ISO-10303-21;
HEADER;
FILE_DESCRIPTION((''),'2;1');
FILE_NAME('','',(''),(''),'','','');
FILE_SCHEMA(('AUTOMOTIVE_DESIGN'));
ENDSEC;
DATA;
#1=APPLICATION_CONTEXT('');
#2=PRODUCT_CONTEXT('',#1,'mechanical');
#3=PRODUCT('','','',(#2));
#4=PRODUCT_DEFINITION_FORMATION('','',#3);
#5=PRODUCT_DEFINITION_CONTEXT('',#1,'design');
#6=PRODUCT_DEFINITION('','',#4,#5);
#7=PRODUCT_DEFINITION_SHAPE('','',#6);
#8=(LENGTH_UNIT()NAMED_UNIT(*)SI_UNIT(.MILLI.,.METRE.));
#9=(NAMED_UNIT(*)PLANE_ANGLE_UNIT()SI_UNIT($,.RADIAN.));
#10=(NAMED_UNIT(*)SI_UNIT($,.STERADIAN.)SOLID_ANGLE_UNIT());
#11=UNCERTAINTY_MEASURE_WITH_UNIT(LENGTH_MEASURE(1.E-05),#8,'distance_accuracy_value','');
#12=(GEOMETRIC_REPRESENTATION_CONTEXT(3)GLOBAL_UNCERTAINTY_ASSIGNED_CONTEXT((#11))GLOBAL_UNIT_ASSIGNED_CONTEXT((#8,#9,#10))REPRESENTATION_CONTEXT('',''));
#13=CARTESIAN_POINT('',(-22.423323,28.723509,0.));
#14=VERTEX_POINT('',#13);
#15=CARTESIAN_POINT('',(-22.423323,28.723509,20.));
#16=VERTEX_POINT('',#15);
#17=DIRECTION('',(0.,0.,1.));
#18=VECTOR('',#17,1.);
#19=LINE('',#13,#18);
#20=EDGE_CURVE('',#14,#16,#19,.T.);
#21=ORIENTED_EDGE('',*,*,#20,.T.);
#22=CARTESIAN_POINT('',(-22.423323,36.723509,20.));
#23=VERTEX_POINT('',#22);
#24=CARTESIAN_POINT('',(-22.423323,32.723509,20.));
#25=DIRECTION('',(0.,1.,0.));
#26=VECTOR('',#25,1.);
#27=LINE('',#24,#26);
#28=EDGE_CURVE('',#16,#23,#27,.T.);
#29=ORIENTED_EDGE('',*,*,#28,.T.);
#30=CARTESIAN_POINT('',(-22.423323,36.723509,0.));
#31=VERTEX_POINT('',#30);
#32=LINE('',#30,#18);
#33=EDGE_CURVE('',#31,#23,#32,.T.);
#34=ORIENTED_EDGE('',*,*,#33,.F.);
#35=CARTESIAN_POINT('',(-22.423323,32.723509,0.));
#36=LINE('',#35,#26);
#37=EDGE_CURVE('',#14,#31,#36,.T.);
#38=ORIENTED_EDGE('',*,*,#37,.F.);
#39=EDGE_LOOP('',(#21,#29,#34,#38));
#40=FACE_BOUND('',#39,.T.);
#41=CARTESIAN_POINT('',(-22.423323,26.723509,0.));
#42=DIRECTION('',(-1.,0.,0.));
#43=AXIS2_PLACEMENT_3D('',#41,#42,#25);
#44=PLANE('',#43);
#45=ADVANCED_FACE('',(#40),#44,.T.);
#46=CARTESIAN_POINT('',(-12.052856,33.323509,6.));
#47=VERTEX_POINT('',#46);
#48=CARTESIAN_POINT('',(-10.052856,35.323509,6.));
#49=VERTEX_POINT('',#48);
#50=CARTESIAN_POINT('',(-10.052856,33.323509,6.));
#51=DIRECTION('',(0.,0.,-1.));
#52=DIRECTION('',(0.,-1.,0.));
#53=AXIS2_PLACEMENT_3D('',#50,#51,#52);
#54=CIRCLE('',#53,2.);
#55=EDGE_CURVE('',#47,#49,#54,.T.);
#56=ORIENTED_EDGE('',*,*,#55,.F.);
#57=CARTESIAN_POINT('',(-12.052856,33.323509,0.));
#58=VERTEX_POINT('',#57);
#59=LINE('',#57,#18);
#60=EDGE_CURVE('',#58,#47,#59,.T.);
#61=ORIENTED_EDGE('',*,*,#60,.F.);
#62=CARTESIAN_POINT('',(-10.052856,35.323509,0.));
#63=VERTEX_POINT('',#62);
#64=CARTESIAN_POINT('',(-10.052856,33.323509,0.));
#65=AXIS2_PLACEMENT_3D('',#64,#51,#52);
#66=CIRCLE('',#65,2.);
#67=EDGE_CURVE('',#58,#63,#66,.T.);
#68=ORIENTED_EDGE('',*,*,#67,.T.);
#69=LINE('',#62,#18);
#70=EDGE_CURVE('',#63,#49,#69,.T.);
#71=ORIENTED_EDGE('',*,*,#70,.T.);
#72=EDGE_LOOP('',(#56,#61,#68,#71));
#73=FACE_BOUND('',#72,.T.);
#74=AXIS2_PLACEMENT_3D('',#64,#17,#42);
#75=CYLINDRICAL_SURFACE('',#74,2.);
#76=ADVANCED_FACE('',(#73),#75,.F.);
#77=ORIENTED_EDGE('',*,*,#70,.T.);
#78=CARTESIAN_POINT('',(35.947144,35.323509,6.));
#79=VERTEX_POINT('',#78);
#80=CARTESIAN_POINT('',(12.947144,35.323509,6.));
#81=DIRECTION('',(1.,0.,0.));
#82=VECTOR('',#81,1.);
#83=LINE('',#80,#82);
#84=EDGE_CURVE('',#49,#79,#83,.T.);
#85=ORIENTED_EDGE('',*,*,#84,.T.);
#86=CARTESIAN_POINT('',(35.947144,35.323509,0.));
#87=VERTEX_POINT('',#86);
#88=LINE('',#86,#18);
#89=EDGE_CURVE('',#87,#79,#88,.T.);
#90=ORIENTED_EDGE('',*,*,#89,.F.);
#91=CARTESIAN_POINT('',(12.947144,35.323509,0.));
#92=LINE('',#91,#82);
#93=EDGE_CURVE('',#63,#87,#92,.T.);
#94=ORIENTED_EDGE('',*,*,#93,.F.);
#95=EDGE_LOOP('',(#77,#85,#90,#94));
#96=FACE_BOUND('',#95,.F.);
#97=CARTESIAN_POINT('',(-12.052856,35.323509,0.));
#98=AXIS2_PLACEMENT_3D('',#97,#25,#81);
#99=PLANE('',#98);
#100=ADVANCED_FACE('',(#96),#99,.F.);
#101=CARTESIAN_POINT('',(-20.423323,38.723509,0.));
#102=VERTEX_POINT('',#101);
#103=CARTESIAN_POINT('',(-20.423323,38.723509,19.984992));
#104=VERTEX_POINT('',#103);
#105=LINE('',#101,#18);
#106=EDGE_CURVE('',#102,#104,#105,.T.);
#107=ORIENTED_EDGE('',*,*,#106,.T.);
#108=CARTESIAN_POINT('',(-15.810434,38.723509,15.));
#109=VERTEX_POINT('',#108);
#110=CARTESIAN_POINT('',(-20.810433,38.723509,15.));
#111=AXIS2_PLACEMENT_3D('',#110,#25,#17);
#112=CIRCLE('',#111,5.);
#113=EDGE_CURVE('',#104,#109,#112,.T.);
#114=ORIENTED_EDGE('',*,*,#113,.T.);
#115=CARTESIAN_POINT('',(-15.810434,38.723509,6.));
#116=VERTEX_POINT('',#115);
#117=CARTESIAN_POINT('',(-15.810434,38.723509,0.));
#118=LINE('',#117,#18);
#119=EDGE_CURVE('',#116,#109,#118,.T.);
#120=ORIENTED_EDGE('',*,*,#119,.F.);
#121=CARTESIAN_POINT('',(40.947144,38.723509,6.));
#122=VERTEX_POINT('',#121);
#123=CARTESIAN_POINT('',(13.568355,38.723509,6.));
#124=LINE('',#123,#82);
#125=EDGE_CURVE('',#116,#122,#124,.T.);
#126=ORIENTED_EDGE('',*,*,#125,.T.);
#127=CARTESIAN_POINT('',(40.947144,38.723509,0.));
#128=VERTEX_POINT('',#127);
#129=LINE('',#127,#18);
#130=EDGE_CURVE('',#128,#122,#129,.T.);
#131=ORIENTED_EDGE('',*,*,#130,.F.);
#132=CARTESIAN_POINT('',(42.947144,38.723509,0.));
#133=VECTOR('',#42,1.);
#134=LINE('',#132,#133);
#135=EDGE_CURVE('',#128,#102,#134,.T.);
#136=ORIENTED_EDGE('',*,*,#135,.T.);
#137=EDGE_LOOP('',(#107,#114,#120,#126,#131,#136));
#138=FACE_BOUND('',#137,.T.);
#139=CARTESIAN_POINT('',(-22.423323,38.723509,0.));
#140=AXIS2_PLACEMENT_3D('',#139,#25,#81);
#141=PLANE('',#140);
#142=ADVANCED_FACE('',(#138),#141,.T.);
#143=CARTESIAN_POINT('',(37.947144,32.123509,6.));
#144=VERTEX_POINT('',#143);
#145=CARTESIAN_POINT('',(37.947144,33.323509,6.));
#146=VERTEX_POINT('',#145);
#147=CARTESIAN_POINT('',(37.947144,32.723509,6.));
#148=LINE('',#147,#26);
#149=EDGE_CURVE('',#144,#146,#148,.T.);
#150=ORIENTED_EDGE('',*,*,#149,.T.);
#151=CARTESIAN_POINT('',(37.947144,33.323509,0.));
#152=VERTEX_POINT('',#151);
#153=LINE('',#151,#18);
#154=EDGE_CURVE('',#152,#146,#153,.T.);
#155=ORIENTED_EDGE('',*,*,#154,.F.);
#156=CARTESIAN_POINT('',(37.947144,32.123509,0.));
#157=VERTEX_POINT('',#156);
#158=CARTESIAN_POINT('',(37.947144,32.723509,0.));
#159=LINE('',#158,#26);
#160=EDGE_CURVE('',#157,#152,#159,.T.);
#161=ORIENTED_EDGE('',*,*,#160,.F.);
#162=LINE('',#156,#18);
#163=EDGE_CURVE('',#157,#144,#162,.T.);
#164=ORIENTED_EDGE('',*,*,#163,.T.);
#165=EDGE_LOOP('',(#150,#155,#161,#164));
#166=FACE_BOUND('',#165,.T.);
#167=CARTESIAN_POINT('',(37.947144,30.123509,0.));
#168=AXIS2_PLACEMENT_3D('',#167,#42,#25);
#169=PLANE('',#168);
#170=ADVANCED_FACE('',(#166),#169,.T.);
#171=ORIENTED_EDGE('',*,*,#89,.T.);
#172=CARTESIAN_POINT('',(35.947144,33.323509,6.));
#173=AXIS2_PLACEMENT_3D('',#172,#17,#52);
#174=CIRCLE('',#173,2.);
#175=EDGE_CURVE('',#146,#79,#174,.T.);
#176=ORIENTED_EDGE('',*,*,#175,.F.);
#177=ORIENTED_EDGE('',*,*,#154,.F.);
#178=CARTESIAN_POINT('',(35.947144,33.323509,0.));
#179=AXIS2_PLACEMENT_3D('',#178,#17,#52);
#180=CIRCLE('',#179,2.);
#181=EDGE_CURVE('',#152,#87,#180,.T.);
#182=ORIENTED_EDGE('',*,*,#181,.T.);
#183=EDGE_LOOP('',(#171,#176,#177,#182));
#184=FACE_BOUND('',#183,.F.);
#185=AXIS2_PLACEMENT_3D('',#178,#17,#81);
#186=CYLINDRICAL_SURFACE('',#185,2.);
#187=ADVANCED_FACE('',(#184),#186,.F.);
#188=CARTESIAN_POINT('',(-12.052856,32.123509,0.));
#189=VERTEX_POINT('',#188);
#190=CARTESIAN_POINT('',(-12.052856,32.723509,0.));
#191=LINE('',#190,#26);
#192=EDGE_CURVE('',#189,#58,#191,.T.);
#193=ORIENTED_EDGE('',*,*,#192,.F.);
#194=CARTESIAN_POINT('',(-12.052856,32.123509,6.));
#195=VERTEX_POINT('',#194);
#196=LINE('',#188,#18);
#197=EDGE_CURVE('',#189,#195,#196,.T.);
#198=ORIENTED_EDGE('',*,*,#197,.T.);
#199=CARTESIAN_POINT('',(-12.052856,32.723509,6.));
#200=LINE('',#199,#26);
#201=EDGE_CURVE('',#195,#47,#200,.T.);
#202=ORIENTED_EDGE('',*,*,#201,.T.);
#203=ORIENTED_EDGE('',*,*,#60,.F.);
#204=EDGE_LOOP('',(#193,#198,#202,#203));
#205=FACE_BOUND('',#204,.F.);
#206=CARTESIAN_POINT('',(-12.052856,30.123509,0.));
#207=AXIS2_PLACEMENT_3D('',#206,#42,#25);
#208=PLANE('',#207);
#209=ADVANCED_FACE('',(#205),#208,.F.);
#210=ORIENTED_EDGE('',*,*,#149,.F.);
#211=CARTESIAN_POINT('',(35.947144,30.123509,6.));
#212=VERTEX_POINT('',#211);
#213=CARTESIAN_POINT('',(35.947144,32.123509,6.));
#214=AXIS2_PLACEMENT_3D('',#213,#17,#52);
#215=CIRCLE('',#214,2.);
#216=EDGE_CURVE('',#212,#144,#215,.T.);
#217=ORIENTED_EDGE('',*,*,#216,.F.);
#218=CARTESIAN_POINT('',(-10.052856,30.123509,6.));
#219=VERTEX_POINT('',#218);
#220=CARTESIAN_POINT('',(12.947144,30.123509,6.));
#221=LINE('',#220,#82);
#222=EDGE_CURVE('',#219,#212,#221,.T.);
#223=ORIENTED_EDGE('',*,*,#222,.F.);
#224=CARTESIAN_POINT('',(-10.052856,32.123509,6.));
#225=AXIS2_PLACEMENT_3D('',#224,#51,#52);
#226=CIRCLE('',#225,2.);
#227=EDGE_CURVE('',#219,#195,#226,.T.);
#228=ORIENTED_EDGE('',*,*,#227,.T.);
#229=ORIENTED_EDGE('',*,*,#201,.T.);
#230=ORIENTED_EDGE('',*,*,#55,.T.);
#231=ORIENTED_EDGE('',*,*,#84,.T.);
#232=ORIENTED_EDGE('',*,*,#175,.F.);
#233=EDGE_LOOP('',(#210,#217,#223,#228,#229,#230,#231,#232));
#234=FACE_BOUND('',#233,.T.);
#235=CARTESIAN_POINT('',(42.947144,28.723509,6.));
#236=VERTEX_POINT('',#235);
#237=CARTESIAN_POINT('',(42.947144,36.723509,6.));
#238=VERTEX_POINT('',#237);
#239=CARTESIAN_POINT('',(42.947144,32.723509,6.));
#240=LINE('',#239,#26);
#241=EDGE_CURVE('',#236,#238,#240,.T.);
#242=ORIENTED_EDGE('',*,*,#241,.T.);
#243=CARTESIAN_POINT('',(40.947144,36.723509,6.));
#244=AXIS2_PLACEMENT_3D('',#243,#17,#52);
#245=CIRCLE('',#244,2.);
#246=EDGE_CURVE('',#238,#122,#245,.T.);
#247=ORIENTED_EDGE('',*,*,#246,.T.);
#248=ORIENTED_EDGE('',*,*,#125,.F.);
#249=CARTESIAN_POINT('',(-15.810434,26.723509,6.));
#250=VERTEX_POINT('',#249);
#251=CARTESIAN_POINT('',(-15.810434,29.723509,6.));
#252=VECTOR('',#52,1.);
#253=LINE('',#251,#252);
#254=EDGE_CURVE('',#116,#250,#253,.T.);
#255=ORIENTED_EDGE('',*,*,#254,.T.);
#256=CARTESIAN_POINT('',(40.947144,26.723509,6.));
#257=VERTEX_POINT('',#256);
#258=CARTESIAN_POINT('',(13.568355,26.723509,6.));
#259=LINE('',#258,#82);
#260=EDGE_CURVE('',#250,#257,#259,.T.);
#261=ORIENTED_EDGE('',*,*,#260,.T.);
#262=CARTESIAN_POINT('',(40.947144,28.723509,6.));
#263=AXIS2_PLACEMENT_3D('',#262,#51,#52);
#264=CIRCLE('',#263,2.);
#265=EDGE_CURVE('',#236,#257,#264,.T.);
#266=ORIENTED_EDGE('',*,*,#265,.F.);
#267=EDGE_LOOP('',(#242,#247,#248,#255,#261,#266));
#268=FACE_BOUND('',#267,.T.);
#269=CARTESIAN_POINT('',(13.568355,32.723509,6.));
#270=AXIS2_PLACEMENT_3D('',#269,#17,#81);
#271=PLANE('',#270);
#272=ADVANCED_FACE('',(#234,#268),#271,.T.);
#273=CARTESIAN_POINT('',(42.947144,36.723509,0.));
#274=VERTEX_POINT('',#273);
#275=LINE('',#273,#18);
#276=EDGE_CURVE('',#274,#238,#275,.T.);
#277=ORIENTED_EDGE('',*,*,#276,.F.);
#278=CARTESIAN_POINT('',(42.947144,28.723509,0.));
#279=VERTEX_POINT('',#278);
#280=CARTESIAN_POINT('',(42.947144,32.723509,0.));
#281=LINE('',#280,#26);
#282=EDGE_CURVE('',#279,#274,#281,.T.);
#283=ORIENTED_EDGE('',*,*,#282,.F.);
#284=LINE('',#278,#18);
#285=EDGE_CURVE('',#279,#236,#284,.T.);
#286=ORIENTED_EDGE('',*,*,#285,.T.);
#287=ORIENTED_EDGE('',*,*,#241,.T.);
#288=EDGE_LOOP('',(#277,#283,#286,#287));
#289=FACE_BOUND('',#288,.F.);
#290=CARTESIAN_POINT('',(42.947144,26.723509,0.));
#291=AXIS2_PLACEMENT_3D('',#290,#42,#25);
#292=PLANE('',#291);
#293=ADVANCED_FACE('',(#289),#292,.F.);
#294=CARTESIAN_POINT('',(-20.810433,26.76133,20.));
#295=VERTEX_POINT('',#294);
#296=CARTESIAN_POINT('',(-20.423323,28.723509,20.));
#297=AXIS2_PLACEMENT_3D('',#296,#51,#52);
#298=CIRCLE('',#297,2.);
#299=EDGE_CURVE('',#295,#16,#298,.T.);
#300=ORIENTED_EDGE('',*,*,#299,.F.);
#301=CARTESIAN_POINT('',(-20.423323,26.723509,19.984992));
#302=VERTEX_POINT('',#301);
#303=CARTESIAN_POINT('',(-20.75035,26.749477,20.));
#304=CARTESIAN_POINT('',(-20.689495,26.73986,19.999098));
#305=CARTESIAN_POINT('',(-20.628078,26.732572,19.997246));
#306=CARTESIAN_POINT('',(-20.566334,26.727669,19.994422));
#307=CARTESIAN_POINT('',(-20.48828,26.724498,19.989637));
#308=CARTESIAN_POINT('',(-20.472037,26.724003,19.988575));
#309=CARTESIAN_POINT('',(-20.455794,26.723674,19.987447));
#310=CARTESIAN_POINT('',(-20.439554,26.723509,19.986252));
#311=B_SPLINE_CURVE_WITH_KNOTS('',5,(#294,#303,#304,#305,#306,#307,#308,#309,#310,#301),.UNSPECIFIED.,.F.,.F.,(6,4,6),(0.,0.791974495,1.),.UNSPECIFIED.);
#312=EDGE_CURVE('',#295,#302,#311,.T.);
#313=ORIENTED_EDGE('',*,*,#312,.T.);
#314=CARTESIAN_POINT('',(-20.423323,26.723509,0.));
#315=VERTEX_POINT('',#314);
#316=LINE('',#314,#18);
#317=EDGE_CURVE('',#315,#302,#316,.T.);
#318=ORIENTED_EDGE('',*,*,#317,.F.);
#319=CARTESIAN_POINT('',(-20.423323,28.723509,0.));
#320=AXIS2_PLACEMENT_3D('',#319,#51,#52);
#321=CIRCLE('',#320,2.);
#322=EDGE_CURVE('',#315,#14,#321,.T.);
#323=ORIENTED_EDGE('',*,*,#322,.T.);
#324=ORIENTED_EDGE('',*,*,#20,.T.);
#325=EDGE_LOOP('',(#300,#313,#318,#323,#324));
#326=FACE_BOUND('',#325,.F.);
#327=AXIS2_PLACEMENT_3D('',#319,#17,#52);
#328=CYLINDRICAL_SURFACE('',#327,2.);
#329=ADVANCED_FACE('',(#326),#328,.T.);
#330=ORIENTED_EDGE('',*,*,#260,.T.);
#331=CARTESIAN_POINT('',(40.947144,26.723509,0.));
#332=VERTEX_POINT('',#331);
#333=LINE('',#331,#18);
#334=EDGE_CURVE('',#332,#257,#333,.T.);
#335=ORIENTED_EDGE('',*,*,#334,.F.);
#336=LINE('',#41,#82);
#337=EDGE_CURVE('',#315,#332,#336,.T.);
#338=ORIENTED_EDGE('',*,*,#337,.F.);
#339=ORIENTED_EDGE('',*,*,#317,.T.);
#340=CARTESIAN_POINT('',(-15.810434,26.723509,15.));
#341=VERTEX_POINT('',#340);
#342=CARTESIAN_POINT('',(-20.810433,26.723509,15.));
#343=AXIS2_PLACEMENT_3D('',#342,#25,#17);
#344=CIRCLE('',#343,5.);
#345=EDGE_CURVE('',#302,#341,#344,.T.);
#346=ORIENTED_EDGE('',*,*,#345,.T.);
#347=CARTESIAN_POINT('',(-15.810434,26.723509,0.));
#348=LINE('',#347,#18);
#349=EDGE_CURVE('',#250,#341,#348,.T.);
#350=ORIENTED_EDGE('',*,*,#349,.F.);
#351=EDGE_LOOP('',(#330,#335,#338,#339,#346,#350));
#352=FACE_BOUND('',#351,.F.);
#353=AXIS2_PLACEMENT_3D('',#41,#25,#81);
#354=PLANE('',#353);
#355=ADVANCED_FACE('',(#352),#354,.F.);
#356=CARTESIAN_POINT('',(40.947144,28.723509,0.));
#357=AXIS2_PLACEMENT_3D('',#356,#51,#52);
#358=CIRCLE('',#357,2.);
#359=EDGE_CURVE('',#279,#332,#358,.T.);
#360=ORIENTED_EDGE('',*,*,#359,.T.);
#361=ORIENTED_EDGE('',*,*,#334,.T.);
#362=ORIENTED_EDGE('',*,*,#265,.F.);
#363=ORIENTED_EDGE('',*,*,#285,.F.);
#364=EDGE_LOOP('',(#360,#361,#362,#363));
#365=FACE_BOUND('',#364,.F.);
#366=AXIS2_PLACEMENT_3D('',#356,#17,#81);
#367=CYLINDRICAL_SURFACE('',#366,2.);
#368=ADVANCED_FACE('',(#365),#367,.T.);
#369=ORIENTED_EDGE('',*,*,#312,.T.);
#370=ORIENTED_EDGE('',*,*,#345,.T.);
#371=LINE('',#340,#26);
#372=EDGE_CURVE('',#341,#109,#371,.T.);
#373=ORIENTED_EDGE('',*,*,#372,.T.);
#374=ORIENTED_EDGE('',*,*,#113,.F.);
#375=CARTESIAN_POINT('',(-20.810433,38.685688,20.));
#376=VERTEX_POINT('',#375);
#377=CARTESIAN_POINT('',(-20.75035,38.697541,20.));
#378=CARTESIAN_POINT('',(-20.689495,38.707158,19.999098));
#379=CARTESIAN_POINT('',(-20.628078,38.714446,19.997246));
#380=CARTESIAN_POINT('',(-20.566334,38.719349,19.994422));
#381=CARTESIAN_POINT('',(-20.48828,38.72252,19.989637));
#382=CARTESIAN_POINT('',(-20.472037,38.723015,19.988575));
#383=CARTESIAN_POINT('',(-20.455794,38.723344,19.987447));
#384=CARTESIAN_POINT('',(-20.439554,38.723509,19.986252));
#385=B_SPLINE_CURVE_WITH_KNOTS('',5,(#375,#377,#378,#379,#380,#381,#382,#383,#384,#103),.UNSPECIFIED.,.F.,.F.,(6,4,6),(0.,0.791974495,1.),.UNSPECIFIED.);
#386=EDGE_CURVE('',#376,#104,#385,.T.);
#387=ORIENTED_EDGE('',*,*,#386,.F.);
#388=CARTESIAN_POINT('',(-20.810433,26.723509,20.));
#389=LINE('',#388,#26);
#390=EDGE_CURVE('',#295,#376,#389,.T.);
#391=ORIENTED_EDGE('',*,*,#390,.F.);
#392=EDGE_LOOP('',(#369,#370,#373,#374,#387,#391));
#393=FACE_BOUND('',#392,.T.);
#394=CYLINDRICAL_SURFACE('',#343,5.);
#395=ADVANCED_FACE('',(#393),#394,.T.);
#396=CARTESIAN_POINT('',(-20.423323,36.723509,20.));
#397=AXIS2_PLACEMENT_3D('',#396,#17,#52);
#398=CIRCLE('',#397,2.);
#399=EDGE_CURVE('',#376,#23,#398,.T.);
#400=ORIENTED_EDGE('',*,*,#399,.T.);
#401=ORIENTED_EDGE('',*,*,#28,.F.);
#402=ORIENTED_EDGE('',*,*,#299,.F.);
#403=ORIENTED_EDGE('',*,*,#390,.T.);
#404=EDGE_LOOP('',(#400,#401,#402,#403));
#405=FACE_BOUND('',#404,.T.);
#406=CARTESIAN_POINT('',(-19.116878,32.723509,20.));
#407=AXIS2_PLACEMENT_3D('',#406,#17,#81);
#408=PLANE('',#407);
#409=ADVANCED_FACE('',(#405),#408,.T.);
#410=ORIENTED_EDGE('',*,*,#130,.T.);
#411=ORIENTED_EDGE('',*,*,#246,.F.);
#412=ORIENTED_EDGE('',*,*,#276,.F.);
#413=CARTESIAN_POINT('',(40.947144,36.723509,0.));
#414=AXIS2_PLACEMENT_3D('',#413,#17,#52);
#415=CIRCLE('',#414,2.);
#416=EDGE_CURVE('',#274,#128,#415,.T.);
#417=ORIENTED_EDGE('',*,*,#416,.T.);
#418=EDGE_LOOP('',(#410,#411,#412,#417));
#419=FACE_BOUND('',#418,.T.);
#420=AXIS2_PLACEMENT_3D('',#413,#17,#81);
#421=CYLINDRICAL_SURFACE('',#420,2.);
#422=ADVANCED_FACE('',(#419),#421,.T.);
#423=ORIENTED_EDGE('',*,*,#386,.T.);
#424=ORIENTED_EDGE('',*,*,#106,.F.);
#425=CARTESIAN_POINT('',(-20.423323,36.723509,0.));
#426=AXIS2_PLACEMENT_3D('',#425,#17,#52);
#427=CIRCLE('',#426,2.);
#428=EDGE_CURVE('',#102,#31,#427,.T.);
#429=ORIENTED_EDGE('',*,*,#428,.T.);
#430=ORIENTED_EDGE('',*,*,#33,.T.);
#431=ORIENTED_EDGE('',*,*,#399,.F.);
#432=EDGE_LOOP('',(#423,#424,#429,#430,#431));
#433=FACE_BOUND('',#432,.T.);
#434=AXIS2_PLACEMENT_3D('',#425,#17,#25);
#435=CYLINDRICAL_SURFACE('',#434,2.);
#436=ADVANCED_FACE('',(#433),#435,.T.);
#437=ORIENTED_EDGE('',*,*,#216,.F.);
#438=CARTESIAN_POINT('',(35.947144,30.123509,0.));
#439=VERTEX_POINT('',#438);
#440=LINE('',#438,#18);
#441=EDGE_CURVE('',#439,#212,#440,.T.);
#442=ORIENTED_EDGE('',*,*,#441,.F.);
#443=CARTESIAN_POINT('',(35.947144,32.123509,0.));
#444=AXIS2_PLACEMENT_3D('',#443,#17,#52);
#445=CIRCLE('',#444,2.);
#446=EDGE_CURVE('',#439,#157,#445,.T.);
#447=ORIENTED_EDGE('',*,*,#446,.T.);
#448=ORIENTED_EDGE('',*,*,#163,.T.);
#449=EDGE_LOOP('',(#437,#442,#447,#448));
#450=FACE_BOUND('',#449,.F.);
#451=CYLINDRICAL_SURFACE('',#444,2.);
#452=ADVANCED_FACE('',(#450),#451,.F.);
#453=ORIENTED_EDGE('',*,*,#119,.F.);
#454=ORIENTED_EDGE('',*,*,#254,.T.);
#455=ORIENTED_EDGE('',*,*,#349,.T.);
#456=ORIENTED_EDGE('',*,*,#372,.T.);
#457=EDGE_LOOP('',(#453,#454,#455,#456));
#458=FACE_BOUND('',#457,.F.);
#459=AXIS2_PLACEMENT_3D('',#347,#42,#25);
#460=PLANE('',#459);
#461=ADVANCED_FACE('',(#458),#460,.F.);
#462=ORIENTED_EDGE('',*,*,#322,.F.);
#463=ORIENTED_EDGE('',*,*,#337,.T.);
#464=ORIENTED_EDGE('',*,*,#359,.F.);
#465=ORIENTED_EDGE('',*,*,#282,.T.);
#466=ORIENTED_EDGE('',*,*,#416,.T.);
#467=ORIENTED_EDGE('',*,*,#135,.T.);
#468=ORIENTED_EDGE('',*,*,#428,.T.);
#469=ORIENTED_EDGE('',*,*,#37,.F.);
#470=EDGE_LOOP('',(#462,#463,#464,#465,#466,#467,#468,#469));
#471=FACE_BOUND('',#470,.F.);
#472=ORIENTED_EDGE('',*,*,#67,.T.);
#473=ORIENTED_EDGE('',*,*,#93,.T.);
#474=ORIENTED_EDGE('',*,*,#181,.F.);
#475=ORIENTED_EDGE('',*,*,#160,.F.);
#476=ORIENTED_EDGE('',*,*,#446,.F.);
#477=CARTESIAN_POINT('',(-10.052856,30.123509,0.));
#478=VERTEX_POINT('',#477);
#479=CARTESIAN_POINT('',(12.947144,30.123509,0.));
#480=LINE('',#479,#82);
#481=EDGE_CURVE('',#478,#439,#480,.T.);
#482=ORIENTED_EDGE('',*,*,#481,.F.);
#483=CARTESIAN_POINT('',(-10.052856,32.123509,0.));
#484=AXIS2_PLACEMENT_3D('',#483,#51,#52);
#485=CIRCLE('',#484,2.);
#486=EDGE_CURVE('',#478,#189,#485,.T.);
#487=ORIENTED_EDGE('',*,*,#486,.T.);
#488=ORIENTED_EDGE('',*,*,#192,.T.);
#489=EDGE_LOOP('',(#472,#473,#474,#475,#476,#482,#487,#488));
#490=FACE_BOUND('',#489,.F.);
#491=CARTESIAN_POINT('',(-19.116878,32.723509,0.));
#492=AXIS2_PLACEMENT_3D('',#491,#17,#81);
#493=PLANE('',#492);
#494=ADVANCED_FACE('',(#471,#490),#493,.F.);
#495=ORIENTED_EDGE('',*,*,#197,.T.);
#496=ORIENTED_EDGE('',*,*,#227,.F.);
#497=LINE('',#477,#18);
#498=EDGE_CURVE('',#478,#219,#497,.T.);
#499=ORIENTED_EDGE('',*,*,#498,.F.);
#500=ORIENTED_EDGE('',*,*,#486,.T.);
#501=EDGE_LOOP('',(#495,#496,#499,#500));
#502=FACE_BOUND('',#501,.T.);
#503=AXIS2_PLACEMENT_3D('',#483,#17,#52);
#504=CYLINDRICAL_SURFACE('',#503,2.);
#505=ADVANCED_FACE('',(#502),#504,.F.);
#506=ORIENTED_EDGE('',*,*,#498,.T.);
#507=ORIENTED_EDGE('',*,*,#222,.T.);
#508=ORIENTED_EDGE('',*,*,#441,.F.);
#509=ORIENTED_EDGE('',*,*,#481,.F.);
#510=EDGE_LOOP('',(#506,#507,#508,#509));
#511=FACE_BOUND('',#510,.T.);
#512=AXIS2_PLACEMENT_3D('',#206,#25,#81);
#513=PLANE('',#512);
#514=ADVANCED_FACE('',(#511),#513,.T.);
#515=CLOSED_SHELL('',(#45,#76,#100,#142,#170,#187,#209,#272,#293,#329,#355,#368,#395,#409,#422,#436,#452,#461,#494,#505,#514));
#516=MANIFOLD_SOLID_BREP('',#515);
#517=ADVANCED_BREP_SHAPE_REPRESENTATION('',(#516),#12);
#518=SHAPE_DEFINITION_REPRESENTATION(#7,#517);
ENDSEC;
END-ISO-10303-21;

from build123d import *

# Parameters (mm, degrees)
F0_W     = 58.757578
F0_H     = 12
F0_W_2   = 50
F0_H_2   = 5.2
F1_DEPTH = 6
F0_W_3   = 6.612889
F2_DEPTH = 20
F3_R     = 2
F4_R     = 2
F5_R     = 2
F6_R     = 2
F7_R     = 5


with BuildPart() as f1:
    # F0 (on Top) → F1 (new body)
    with BuildSketch(Plane.XY):
        with Locations((13.568355, 32.723509)):
            Rectangle(F0_W, F0_H)
        with Locations((12.947144, 32.723509)):
            Rectangle(F0_W_2, F0_H_2, mode=Mode.SUBTRACT)
    extrude(amount=F1_DEPTH)

    # F0 (on Top) → F2 (join)
    with BuildSketch(Plane.XY):
        with Locations((-19.116878, 32.723509)):
            Rectangle(F0_W_3, F0_H)
    extrude(amount=F2_DEPTH)

    # F3
    f3_edges = [f1.edges().sort_by_distance(p)[0] for p in [
        (42.947144, 26.723509, 3),
    ]]
    fillet(f3_edges, radius=F3_R)

    # F4
    f4_edges = [f1.edges().sort_by_distance(p)[0] for p in [
        (42.947144, 38.723509, 3),
    ]]
    fillet(f4_edges, radius=F4_R)

    # F5
    f5_edges = [f1.edges().sort_by_distance(p)[0] for p in [
        (-12.052856, 35.323509, 3),
        (37.947144, 35.323509, 3),
        (37.947144, 30.123509, 3),
        (-12.052856, 30.123509, 3),
    ]]
    fillet(f5_edges, radius=F5_R)

    # F6
    f6_edges = [f1.edges().sort_by_distance(p)[0] for p in [
        (-22.423323, 38.723509, 10),
        (-22.423323, 26.723509, 10),
    ]]
    fillet(f6_edges, radius=F6_R)

    # F7
    f7_edges = [f1.edges().sort_by_distance(p)[0] for p in [
        (-15.810434, 32.723509, 20),
    ]]
    fillet(f7_edges, radius=F7_R)


solid = f1.part
